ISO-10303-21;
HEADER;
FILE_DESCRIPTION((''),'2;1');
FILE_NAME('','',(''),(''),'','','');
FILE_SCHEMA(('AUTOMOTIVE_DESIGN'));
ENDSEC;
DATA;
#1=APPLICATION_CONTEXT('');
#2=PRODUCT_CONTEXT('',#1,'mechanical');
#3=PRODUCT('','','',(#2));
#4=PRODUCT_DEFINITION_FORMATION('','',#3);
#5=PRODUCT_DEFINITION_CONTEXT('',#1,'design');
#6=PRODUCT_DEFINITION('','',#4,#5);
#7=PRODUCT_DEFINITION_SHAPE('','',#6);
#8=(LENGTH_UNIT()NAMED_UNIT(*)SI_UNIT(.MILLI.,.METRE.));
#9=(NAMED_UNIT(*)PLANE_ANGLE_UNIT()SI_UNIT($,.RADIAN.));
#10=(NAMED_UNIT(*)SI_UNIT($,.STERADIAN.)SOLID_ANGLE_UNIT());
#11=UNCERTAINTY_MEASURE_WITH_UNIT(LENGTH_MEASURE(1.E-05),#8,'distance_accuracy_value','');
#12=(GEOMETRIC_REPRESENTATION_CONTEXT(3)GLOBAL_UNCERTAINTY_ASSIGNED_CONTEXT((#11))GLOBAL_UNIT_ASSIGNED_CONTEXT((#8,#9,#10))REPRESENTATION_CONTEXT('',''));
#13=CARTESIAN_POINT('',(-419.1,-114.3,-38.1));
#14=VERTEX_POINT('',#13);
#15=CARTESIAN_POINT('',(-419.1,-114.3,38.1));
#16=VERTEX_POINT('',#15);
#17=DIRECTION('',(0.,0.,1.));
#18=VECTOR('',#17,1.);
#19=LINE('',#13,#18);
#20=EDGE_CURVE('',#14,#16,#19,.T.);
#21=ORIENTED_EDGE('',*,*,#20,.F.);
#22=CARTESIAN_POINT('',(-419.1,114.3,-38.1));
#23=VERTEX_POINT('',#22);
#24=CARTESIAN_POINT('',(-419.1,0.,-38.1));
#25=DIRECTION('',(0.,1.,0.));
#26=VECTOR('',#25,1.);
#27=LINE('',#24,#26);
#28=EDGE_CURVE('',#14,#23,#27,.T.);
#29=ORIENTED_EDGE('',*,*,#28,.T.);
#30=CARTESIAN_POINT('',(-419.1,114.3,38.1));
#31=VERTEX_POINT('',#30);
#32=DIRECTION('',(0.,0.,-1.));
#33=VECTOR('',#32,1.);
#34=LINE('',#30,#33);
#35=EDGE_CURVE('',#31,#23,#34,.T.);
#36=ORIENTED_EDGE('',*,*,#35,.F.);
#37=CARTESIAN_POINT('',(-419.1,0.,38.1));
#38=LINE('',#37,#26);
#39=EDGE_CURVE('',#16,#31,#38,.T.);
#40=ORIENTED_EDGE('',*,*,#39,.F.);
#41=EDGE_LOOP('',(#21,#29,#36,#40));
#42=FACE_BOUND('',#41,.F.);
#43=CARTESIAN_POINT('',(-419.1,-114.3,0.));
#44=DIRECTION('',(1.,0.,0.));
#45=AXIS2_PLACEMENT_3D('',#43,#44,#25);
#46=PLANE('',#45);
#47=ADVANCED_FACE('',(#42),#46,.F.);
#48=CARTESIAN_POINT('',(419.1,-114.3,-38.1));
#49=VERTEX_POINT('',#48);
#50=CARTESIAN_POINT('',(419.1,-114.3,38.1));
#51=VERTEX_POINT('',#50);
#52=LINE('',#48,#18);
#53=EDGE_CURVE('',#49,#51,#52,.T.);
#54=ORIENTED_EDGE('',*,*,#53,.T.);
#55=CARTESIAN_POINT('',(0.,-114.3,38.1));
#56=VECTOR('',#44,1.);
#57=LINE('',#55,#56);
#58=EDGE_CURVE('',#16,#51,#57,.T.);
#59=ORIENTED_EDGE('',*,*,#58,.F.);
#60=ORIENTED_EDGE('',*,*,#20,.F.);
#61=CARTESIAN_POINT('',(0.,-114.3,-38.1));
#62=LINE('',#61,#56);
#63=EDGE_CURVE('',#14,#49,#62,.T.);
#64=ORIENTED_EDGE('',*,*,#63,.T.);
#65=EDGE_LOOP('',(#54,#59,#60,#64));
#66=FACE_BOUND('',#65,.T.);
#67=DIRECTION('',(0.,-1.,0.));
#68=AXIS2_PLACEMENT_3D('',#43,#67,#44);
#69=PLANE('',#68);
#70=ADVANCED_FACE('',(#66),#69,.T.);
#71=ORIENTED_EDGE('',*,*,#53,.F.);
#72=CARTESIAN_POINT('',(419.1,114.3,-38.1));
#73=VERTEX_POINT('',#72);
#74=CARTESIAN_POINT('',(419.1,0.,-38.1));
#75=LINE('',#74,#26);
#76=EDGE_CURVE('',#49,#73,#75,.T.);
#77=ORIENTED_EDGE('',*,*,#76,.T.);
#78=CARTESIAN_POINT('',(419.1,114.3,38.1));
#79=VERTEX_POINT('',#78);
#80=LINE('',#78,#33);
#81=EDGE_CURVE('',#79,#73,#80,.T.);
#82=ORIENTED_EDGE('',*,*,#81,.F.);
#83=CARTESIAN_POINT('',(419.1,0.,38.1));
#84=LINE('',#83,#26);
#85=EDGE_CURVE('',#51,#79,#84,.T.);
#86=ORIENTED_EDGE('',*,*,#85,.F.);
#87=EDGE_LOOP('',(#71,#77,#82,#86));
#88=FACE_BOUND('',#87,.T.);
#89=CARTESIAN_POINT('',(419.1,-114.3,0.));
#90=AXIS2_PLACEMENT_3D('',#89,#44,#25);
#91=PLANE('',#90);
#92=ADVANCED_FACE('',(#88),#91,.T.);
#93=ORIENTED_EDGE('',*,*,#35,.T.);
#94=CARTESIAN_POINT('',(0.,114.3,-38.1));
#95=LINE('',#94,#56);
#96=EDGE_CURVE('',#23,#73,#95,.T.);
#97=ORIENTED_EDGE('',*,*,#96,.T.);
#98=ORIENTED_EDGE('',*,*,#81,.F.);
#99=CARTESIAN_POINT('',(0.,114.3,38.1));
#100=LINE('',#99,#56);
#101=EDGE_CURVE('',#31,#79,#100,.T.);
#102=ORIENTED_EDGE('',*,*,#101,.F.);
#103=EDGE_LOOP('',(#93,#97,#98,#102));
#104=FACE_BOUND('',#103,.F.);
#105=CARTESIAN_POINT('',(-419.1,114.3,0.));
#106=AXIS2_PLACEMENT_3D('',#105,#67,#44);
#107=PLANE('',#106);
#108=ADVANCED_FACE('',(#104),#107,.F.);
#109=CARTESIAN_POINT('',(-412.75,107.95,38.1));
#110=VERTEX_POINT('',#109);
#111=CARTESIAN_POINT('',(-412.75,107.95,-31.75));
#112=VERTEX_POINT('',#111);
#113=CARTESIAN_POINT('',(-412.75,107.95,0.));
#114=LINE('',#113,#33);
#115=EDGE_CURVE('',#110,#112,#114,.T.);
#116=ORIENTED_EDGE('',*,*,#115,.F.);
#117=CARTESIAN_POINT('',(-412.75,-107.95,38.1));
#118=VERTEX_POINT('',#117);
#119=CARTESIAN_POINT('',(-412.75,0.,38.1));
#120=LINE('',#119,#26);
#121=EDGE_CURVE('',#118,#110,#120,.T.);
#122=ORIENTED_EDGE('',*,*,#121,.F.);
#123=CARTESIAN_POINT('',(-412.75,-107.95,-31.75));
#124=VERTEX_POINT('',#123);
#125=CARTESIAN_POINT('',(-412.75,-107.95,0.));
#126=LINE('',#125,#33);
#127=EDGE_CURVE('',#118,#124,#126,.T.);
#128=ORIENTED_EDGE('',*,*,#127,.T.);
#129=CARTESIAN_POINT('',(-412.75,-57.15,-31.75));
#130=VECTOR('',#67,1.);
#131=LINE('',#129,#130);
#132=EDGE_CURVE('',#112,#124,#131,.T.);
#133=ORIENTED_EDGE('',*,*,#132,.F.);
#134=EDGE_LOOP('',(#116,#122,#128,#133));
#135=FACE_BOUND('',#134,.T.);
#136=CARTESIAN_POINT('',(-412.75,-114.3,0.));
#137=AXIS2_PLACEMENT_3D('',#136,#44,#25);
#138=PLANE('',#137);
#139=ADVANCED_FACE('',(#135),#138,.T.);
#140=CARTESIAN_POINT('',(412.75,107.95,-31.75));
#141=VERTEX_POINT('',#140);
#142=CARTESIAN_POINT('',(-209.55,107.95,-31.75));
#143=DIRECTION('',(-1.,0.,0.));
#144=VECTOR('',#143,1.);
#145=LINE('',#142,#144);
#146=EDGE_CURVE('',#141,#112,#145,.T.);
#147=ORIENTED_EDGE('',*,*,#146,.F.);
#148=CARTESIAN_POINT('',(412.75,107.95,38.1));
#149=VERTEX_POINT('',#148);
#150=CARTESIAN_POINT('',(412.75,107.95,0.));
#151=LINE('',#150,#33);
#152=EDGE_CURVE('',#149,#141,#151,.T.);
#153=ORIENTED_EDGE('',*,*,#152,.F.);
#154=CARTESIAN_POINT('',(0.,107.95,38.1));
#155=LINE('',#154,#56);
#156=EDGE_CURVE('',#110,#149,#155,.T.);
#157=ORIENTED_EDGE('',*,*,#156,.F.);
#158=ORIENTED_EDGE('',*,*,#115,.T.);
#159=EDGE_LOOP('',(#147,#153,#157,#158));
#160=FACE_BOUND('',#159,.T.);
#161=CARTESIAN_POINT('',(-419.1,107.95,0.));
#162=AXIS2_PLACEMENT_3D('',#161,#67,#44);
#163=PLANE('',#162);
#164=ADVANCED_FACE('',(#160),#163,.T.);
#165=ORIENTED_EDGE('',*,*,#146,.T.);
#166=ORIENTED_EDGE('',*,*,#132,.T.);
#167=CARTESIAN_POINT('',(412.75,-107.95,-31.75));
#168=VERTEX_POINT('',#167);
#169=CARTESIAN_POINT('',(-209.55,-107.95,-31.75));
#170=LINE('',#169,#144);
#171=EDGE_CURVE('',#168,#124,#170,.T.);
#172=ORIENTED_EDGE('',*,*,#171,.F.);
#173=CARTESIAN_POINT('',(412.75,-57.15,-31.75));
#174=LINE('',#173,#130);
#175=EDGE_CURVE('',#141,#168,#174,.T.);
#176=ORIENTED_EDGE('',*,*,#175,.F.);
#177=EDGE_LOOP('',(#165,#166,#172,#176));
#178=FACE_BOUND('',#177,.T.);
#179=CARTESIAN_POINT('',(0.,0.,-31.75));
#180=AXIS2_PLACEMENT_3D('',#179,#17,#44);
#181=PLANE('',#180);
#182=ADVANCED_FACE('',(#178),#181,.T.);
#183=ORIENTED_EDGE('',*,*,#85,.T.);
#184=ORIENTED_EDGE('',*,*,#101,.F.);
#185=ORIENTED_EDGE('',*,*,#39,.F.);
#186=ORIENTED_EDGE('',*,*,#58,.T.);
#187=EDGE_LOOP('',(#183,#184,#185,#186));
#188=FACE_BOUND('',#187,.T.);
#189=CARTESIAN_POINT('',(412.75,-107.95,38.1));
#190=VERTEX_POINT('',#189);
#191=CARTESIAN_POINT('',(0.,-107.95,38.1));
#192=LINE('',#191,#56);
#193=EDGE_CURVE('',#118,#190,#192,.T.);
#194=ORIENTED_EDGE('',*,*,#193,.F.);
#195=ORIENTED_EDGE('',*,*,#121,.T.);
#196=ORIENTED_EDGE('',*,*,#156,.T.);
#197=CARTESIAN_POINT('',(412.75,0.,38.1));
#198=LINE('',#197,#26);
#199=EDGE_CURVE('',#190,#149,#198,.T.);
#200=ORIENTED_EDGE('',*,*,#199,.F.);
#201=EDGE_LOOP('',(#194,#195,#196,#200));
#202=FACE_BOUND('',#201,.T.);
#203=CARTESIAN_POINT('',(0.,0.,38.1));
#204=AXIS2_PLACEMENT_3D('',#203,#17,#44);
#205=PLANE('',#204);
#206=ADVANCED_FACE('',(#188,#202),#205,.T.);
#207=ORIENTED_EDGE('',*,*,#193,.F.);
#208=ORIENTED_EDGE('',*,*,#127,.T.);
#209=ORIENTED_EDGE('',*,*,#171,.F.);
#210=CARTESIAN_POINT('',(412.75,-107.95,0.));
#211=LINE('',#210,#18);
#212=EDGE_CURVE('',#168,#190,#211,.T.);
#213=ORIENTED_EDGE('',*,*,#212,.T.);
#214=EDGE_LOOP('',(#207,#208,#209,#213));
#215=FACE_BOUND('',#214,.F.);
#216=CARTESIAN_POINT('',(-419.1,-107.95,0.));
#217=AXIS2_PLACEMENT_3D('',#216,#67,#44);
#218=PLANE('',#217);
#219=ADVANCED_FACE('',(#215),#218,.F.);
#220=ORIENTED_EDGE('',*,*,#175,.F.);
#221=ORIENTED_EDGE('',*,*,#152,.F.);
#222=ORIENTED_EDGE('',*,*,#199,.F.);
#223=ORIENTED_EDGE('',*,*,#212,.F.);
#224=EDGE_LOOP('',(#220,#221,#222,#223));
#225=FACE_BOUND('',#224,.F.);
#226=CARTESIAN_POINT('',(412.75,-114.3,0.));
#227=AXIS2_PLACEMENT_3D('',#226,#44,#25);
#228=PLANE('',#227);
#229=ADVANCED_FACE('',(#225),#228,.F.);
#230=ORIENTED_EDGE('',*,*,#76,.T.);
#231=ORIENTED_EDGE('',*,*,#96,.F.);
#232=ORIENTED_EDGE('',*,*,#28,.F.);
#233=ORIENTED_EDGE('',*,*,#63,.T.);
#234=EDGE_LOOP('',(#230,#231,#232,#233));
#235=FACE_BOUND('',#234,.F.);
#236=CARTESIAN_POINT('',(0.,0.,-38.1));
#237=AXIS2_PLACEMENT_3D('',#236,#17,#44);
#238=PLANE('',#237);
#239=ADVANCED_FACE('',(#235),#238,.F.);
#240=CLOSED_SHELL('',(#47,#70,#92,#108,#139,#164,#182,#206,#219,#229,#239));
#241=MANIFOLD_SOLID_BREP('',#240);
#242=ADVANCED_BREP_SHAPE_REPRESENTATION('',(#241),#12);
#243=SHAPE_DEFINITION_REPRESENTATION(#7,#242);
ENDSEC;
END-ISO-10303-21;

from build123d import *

# Parameters (mm, degrees)
F0_W     = 838.2
F0_H     = 228.6
F1_DEPTH = 38.1
F2_T     = -6.35


with BuildPart() as f1:
    # F0 (on Top) → F1 (new body, symmetric)
    with BuildSketch(Plane.XY):
        Rectangle(F0_W, F0_H)
    extrude(amount=F1_DEPTH, both=True)

    # F2
    f2_openings = [f1.faces().sort_by_distance(p)[0] for p in [
        (0, 0, 38.1),
    ]]
    offset(amount=F2_T, openings=f2_openings)


solid = f1.part
